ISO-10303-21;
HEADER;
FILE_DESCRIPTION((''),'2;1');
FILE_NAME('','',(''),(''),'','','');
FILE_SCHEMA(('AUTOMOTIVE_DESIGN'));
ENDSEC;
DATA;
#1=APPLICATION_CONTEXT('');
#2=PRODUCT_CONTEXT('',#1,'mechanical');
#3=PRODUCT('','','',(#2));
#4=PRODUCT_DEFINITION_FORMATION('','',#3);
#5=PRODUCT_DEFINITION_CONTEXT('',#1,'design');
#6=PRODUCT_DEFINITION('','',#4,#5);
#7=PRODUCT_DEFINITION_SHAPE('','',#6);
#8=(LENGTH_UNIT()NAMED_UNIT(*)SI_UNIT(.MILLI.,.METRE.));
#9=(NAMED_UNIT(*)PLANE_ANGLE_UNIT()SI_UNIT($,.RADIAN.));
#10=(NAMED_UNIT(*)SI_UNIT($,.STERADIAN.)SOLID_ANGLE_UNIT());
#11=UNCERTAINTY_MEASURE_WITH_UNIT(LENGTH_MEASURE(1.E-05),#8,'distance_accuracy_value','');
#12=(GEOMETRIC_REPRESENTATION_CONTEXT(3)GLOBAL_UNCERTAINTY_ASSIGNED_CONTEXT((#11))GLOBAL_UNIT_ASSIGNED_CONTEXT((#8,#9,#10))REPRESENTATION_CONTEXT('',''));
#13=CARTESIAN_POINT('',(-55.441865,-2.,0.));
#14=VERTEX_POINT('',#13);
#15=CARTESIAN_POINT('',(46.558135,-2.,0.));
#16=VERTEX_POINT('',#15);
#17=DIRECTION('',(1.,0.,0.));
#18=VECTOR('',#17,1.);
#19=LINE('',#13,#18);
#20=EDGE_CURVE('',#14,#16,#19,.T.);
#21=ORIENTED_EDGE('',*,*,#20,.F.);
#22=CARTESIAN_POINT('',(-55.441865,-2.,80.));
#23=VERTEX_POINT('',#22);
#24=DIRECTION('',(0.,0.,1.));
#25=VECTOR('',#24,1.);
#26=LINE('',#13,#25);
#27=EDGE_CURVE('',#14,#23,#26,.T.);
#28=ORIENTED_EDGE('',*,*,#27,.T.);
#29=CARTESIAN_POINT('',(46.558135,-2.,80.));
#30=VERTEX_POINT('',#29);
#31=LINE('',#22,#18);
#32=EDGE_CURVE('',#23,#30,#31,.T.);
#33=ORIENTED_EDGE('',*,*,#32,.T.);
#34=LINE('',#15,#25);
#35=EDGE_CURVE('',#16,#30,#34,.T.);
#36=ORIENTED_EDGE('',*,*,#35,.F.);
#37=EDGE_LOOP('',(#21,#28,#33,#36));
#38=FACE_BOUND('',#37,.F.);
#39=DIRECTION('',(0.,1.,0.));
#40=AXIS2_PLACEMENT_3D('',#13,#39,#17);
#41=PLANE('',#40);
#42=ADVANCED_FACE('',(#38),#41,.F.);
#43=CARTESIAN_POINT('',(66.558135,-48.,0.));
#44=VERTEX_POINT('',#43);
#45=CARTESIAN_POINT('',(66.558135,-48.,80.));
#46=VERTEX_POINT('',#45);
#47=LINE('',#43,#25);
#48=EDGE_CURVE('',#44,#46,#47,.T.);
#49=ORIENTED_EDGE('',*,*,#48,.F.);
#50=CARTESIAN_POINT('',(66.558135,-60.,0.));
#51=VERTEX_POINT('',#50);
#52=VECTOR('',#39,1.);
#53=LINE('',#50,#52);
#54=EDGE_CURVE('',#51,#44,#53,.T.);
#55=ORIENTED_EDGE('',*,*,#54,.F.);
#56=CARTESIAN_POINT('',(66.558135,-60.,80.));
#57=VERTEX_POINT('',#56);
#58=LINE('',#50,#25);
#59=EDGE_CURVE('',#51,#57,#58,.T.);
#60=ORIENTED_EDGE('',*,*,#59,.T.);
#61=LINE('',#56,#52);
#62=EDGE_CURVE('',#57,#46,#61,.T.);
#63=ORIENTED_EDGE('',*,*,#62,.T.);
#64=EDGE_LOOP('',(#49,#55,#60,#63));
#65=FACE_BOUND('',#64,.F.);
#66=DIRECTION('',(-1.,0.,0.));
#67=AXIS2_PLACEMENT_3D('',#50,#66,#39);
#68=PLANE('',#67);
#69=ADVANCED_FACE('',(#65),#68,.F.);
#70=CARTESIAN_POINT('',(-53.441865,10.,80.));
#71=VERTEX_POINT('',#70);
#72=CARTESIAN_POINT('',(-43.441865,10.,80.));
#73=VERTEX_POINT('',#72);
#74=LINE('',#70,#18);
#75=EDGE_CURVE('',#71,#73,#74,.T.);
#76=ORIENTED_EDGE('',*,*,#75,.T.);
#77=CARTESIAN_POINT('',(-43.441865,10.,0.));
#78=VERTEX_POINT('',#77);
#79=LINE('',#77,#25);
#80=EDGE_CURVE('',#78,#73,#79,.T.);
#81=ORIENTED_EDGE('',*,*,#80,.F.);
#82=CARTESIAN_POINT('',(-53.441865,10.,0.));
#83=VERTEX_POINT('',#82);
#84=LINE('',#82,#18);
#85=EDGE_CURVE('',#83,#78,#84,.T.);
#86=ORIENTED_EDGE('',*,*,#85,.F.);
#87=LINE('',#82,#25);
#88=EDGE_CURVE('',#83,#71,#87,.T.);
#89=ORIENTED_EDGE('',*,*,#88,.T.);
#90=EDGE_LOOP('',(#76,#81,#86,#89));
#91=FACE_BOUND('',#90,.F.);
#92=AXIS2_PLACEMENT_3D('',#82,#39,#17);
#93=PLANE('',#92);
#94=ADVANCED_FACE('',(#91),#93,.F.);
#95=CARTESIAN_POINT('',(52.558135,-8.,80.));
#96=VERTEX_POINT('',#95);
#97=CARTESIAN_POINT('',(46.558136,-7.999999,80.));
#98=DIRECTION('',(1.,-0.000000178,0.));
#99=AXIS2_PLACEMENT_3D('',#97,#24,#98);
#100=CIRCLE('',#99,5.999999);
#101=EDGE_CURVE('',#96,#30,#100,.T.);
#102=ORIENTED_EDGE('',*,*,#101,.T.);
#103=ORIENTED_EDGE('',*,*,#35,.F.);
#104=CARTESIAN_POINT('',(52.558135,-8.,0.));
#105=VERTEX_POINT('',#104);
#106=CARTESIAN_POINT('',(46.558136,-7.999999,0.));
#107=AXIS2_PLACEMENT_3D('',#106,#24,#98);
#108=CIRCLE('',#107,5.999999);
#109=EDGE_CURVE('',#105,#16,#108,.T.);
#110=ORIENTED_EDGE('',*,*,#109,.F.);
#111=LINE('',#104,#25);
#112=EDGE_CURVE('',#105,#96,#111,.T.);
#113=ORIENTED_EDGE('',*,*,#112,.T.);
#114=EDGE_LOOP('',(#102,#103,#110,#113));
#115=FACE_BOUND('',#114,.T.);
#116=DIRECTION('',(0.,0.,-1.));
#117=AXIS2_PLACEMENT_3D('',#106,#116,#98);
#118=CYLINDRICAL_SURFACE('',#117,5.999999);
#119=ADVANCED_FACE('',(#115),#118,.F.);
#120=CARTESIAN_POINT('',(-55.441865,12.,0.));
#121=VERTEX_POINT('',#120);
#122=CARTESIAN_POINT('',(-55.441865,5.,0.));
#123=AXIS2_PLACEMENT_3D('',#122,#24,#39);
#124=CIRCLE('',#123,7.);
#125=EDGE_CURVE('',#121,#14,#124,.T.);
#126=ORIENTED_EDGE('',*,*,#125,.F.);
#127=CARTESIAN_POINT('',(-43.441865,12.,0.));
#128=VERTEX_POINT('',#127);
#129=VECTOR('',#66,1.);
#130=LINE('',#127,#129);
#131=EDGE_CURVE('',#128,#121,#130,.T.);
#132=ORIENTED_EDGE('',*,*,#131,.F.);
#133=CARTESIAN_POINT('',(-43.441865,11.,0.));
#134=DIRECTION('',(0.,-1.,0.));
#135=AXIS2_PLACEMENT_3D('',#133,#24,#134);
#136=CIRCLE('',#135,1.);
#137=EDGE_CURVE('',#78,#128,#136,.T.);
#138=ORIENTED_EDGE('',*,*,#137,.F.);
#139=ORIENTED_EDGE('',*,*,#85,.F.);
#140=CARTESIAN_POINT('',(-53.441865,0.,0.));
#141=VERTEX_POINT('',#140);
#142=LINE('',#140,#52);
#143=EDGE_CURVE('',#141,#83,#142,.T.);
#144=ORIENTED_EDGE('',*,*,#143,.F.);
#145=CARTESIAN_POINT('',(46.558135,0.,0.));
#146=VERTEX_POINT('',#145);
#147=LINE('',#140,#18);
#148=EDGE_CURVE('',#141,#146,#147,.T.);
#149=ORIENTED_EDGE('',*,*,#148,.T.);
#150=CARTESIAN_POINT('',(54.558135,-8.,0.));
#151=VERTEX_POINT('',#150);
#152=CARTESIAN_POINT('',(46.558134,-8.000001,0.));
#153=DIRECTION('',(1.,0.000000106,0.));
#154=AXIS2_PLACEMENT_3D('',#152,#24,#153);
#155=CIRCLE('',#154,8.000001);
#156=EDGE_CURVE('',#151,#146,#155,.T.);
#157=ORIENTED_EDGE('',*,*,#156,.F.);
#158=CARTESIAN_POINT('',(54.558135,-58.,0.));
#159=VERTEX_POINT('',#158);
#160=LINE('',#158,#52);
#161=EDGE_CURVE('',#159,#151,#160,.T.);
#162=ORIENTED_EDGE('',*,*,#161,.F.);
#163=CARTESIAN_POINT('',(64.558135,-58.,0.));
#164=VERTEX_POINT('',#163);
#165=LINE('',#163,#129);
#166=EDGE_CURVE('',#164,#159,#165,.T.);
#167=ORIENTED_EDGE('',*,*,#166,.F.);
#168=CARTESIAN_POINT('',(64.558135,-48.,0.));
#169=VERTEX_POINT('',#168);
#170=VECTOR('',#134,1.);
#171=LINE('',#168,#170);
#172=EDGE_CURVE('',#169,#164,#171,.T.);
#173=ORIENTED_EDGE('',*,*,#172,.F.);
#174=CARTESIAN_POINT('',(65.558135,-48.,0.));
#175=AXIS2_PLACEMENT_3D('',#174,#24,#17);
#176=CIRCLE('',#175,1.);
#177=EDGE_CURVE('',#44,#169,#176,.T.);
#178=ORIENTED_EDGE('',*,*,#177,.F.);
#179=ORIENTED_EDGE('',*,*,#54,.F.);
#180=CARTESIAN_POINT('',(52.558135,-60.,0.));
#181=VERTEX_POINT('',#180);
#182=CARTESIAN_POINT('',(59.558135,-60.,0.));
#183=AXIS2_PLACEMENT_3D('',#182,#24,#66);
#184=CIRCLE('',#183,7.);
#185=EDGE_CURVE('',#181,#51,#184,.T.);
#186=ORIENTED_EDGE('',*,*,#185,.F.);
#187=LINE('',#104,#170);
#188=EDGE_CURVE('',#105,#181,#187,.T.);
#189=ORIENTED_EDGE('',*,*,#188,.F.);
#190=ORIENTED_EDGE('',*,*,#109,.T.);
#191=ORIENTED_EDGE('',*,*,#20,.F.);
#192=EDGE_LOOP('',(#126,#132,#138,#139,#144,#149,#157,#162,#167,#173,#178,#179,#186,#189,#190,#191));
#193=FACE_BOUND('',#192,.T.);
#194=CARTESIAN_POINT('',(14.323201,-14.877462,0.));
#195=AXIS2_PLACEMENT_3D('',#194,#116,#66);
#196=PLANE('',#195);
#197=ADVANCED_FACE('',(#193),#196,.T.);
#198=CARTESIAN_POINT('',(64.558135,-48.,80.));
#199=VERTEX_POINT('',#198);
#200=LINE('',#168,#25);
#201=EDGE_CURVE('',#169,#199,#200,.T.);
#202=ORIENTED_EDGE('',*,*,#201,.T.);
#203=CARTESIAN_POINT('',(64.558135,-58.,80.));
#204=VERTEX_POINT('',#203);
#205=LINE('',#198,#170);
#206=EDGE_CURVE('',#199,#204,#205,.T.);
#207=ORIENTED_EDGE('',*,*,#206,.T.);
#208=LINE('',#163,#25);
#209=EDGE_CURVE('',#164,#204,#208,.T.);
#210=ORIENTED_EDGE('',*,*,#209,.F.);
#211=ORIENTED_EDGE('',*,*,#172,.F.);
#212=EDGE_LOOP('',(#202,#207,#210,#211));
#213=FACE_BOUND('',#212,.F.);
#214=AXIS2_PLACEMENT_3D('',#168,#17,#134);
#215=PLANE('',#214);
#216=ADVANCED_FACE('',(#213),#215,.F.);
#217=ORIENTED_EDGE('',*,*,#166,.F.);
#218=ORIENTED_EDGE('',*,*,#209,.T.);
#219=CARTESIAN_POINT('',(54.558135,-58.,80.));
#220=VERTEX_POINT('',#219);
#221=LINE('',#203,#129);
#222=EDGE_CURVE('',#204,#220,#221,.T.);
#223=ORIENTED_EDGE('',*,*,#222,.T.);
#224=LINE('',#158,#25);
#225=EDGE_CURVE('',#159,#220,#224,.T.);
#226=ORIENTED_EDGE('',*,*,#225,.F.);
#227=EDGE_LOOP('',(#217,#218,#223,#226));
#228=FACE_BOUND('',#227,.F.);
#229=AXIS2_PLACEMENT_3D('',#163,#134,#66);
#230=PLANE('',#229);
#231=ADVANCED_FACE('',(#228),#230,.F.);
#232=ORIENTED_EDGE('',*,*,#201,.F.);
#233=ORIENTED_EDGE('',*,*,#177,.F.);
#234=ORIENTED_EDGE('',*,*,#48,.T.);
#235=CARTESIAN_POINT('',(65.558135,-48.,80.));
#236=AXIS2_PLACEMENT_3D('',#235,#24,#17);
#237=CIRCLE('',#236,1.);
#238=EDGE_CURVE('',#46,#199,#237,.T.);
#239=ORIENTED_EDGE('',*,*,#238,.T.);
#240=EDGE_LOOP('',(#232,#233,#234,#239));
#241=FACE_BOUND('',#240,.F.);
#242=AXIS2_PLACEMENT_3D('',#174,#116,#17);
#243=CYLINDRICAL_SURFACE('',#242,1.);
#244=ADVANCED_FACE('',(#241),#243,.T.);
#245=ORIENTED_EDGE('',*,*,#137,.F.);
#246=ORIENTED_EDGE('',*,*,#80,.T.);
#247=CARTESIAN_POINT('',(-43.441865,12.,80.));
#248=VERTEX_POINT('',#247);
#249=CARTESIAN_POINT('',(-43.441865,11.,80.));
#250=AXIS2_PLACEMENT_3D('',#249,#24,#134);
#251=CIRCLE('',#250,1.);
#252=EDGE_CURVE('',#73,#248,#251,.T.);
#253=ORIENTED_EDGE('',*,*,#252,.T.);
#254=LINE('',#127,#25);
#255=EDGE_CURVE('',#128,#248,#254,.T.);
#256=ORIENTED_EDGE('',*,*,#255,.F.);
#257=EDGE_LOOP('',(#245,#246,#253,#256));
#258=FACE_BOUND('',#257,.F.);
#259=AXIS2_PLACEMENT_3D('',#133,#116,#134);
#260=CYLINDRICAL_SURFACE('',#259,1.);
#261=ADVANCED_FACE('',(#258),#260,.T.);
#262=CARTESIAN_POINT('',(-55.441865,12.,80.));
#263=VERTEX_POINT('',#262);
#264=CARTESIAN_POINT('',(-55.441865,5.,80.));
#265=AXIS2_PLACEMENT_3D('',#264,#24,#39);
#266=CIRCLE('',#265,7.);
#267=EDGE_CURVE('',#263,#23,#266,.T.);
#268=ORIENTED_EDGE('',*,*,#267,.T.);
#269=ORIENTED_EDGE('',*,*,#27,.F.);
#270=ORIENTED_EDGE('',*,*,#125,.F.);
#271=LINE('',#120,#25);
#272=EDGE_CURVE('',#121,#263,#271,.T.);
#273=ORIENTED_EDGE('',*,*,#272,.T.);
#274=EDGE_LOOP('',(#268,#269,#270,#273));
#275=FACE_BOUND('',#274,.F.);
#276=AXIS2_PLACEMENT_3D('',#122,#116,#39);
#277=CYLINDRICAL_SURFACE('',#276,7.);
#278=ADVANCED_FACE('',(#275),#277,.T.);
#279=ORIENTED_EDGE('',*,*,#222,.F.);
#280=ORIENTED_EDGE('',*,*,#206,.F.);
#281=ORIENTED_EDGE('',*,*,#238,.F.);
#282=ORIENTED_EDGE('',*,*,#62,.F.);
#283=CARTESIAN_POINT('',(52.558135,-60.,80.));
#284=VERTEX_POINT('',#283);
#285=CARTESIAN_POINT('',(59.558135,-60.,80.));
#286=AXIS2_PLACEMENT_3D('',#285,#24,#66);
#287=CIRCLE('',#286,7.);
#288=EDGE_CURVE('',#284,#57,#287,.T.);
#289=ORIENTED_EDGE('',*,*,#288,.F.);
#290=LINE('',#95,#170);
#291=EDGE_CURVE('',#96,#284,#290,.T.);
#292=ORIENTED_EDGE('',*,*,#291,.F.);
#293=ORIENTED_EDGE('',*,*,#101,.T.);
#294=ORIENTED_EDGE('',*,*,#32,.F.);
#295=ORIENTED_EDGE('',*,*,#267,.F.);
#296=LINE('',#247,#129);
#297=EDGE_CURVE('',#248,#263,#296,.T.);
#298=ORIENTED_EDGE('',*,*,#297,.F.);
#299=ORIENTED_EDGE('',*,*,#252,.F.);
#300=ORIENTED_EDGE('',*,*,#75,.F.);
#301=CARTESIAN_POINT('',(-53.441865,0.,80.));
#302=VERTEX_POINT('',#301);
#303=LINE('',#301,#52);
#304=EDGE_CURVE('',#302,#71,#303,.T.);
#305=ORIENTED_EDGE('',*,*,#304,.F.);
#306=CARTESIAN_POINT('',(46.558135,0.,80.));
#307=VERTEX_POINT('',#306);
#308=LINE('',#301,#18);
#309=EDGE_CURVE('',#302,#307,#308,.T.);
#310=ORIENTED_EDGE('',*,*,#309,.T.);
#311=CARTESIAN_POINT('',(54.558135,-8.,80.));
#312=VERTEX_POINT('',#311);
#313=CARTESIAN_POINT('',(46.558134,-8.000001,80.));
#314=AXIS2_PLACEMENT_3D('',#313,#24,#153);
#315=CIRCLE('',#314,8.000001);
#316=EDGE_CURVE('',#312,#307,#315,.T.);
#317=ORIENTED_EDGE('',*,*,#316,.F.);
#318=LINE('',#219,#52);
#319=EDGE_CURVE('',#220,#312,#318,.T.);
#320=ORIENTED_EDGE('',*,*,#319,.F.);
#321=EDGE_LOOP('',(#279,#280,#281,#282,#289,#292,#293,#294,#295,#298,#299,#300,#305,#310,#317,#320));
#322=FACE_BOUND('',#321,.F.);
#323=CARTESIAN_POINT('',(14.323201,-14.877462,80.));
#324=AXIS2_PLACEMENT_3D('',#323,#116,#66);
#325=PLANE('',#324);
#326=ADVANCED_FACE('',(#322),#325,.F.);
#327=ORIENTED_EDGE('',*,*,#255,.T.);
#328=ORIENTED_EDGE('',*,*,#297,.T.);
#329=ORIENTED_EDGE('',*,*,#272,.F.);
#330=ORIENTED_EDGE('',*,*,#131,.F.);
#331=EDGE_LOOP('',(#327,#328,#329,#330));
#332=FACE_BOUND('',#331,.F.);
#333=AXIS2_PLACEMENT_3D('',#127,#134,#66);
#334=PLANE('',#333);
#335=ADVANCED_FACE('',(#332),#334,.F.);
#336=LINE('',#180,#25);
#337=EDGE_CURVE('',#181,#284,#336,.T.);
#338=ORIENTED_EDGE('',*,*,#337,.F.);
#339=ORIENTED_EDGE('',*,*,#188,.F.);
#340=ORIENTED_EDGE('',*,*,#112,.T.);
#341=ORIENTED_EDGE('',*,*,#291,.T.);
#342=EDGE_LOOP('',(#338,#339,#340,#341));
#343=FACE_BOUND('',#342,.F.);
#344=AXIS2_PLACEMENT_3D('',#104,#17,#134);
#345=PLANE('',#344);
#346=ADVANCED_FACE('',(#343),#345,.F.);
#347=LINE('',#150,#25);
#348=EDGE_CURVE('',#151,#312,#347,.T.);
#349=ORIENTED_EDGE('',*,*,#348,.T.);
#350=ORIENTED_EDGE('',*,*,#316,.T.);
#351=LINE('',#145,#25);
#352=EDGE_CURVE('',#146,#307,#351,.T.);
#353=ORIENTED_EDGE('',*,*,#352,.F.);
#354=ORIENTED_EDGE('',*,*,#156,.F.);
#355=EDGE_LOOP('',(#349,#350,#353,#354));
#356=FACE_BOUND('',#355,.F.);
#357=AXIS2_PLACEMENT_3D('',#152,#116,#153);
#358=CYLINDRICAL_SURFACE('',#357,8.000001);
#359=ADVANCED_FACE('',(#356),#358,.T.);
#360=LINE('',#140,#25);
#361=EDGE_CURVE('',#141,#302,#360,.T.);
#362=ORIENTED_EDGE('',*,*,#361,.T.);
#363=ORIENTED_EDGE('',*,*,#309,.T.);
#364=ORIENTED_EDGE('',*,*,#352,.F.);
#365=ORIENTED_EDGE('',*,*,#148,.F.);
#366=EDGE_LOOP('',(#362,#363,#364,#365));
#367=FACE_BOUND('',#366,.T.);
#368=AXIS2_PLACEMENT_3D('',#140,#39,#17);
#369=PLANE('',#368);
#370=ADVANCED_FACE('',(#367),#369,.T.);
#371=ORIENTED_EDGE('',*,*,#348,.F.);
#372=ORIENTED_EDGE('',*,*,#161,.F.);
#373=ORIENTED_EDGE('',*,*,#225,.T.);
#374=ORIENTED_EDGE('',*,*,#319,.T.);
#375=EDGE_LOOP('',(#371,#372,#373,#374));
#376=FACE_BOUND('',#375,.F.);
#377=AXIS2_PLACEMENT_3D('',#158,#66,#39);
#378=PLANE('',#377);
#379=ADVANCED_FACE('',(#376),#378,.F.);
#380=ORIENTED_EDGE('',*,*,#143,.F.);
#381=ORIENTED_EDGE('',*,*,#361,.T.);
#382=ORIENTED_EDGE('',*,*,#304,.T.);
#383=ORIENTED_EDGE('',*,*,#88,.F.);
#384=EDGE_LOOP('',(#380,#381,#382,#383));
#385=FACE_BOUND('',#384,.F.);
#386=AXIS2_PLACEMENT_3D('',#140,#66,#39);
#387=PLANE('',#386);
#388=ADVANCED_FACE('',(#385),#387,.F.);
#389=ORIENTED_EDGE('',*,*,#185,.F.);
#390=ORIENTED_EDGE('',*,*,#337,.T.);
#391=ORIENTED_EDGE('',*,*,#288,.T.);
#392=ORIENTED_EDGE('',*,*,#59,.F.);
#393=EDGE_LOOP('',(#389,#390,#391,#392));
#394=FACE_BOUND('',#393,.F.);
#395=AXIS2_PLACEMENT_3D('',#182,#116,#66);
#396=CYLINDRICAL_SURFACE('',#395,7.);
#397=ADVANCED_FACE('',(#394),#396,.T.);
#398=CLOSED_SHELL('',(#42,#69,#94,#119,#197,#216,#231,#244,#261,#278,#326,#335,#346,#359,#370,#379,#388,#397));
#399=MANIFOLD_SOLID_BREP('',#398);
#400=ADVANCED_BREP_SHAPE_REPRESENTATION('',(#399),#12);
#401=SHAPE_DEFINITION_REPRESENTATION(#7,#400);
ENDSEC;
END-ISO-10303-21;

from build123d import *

# Parameters (mm, degrees)
PAD_DEPTH = 80


with BuildPart() as part:
    # Sketch → Pad (new body)
    with BuildSketch(Plane.XY):
        with BuildLine():
            Line((-53.441865, 0), (46.558135, 0))
            ThreePointArc((54.558135, -8), (52.214989, -2.343146), (46.558135, 0))
            Line((54.558135, -58), (54.558135, -8))
            Line((64.558135, -58), (54.558135, -58))
            Line((64.558135, -48), (64.558135, -58))
            ThreePointArc((66.558135, -48), (65.558135, -47), (64.558135, -48))
            Line((66.558135, -60), (66.558135, -48))
            ThreePointArc((52.558135, -60), (59.558135, -67), (66.558135, -60))
            Line((52.558135, -8), (52.558135, -60))
            ThreePointArc((52.558135, -8), (50.800776, -3.757359), (46.558135, -2))
            Line((-55.441865, -2), (46.558135, -2))
            ThreePointArc((-55.441865, 12), (-62.441865, 5), (-55.441865, -2))
            Line((-43.441865, 12), (-55.441865, 12))
            ThreePointArc((-43.441865, 10), (-42.441865, 11), (-43.441865, 12))
            Line((-53.441865, 10), (-43.441865, 10))
            Line((-53.441865, 0), (-53.441865, 10))
        make_face()
    extrude(amount=PAD_DEPTH)


solid = part.part
